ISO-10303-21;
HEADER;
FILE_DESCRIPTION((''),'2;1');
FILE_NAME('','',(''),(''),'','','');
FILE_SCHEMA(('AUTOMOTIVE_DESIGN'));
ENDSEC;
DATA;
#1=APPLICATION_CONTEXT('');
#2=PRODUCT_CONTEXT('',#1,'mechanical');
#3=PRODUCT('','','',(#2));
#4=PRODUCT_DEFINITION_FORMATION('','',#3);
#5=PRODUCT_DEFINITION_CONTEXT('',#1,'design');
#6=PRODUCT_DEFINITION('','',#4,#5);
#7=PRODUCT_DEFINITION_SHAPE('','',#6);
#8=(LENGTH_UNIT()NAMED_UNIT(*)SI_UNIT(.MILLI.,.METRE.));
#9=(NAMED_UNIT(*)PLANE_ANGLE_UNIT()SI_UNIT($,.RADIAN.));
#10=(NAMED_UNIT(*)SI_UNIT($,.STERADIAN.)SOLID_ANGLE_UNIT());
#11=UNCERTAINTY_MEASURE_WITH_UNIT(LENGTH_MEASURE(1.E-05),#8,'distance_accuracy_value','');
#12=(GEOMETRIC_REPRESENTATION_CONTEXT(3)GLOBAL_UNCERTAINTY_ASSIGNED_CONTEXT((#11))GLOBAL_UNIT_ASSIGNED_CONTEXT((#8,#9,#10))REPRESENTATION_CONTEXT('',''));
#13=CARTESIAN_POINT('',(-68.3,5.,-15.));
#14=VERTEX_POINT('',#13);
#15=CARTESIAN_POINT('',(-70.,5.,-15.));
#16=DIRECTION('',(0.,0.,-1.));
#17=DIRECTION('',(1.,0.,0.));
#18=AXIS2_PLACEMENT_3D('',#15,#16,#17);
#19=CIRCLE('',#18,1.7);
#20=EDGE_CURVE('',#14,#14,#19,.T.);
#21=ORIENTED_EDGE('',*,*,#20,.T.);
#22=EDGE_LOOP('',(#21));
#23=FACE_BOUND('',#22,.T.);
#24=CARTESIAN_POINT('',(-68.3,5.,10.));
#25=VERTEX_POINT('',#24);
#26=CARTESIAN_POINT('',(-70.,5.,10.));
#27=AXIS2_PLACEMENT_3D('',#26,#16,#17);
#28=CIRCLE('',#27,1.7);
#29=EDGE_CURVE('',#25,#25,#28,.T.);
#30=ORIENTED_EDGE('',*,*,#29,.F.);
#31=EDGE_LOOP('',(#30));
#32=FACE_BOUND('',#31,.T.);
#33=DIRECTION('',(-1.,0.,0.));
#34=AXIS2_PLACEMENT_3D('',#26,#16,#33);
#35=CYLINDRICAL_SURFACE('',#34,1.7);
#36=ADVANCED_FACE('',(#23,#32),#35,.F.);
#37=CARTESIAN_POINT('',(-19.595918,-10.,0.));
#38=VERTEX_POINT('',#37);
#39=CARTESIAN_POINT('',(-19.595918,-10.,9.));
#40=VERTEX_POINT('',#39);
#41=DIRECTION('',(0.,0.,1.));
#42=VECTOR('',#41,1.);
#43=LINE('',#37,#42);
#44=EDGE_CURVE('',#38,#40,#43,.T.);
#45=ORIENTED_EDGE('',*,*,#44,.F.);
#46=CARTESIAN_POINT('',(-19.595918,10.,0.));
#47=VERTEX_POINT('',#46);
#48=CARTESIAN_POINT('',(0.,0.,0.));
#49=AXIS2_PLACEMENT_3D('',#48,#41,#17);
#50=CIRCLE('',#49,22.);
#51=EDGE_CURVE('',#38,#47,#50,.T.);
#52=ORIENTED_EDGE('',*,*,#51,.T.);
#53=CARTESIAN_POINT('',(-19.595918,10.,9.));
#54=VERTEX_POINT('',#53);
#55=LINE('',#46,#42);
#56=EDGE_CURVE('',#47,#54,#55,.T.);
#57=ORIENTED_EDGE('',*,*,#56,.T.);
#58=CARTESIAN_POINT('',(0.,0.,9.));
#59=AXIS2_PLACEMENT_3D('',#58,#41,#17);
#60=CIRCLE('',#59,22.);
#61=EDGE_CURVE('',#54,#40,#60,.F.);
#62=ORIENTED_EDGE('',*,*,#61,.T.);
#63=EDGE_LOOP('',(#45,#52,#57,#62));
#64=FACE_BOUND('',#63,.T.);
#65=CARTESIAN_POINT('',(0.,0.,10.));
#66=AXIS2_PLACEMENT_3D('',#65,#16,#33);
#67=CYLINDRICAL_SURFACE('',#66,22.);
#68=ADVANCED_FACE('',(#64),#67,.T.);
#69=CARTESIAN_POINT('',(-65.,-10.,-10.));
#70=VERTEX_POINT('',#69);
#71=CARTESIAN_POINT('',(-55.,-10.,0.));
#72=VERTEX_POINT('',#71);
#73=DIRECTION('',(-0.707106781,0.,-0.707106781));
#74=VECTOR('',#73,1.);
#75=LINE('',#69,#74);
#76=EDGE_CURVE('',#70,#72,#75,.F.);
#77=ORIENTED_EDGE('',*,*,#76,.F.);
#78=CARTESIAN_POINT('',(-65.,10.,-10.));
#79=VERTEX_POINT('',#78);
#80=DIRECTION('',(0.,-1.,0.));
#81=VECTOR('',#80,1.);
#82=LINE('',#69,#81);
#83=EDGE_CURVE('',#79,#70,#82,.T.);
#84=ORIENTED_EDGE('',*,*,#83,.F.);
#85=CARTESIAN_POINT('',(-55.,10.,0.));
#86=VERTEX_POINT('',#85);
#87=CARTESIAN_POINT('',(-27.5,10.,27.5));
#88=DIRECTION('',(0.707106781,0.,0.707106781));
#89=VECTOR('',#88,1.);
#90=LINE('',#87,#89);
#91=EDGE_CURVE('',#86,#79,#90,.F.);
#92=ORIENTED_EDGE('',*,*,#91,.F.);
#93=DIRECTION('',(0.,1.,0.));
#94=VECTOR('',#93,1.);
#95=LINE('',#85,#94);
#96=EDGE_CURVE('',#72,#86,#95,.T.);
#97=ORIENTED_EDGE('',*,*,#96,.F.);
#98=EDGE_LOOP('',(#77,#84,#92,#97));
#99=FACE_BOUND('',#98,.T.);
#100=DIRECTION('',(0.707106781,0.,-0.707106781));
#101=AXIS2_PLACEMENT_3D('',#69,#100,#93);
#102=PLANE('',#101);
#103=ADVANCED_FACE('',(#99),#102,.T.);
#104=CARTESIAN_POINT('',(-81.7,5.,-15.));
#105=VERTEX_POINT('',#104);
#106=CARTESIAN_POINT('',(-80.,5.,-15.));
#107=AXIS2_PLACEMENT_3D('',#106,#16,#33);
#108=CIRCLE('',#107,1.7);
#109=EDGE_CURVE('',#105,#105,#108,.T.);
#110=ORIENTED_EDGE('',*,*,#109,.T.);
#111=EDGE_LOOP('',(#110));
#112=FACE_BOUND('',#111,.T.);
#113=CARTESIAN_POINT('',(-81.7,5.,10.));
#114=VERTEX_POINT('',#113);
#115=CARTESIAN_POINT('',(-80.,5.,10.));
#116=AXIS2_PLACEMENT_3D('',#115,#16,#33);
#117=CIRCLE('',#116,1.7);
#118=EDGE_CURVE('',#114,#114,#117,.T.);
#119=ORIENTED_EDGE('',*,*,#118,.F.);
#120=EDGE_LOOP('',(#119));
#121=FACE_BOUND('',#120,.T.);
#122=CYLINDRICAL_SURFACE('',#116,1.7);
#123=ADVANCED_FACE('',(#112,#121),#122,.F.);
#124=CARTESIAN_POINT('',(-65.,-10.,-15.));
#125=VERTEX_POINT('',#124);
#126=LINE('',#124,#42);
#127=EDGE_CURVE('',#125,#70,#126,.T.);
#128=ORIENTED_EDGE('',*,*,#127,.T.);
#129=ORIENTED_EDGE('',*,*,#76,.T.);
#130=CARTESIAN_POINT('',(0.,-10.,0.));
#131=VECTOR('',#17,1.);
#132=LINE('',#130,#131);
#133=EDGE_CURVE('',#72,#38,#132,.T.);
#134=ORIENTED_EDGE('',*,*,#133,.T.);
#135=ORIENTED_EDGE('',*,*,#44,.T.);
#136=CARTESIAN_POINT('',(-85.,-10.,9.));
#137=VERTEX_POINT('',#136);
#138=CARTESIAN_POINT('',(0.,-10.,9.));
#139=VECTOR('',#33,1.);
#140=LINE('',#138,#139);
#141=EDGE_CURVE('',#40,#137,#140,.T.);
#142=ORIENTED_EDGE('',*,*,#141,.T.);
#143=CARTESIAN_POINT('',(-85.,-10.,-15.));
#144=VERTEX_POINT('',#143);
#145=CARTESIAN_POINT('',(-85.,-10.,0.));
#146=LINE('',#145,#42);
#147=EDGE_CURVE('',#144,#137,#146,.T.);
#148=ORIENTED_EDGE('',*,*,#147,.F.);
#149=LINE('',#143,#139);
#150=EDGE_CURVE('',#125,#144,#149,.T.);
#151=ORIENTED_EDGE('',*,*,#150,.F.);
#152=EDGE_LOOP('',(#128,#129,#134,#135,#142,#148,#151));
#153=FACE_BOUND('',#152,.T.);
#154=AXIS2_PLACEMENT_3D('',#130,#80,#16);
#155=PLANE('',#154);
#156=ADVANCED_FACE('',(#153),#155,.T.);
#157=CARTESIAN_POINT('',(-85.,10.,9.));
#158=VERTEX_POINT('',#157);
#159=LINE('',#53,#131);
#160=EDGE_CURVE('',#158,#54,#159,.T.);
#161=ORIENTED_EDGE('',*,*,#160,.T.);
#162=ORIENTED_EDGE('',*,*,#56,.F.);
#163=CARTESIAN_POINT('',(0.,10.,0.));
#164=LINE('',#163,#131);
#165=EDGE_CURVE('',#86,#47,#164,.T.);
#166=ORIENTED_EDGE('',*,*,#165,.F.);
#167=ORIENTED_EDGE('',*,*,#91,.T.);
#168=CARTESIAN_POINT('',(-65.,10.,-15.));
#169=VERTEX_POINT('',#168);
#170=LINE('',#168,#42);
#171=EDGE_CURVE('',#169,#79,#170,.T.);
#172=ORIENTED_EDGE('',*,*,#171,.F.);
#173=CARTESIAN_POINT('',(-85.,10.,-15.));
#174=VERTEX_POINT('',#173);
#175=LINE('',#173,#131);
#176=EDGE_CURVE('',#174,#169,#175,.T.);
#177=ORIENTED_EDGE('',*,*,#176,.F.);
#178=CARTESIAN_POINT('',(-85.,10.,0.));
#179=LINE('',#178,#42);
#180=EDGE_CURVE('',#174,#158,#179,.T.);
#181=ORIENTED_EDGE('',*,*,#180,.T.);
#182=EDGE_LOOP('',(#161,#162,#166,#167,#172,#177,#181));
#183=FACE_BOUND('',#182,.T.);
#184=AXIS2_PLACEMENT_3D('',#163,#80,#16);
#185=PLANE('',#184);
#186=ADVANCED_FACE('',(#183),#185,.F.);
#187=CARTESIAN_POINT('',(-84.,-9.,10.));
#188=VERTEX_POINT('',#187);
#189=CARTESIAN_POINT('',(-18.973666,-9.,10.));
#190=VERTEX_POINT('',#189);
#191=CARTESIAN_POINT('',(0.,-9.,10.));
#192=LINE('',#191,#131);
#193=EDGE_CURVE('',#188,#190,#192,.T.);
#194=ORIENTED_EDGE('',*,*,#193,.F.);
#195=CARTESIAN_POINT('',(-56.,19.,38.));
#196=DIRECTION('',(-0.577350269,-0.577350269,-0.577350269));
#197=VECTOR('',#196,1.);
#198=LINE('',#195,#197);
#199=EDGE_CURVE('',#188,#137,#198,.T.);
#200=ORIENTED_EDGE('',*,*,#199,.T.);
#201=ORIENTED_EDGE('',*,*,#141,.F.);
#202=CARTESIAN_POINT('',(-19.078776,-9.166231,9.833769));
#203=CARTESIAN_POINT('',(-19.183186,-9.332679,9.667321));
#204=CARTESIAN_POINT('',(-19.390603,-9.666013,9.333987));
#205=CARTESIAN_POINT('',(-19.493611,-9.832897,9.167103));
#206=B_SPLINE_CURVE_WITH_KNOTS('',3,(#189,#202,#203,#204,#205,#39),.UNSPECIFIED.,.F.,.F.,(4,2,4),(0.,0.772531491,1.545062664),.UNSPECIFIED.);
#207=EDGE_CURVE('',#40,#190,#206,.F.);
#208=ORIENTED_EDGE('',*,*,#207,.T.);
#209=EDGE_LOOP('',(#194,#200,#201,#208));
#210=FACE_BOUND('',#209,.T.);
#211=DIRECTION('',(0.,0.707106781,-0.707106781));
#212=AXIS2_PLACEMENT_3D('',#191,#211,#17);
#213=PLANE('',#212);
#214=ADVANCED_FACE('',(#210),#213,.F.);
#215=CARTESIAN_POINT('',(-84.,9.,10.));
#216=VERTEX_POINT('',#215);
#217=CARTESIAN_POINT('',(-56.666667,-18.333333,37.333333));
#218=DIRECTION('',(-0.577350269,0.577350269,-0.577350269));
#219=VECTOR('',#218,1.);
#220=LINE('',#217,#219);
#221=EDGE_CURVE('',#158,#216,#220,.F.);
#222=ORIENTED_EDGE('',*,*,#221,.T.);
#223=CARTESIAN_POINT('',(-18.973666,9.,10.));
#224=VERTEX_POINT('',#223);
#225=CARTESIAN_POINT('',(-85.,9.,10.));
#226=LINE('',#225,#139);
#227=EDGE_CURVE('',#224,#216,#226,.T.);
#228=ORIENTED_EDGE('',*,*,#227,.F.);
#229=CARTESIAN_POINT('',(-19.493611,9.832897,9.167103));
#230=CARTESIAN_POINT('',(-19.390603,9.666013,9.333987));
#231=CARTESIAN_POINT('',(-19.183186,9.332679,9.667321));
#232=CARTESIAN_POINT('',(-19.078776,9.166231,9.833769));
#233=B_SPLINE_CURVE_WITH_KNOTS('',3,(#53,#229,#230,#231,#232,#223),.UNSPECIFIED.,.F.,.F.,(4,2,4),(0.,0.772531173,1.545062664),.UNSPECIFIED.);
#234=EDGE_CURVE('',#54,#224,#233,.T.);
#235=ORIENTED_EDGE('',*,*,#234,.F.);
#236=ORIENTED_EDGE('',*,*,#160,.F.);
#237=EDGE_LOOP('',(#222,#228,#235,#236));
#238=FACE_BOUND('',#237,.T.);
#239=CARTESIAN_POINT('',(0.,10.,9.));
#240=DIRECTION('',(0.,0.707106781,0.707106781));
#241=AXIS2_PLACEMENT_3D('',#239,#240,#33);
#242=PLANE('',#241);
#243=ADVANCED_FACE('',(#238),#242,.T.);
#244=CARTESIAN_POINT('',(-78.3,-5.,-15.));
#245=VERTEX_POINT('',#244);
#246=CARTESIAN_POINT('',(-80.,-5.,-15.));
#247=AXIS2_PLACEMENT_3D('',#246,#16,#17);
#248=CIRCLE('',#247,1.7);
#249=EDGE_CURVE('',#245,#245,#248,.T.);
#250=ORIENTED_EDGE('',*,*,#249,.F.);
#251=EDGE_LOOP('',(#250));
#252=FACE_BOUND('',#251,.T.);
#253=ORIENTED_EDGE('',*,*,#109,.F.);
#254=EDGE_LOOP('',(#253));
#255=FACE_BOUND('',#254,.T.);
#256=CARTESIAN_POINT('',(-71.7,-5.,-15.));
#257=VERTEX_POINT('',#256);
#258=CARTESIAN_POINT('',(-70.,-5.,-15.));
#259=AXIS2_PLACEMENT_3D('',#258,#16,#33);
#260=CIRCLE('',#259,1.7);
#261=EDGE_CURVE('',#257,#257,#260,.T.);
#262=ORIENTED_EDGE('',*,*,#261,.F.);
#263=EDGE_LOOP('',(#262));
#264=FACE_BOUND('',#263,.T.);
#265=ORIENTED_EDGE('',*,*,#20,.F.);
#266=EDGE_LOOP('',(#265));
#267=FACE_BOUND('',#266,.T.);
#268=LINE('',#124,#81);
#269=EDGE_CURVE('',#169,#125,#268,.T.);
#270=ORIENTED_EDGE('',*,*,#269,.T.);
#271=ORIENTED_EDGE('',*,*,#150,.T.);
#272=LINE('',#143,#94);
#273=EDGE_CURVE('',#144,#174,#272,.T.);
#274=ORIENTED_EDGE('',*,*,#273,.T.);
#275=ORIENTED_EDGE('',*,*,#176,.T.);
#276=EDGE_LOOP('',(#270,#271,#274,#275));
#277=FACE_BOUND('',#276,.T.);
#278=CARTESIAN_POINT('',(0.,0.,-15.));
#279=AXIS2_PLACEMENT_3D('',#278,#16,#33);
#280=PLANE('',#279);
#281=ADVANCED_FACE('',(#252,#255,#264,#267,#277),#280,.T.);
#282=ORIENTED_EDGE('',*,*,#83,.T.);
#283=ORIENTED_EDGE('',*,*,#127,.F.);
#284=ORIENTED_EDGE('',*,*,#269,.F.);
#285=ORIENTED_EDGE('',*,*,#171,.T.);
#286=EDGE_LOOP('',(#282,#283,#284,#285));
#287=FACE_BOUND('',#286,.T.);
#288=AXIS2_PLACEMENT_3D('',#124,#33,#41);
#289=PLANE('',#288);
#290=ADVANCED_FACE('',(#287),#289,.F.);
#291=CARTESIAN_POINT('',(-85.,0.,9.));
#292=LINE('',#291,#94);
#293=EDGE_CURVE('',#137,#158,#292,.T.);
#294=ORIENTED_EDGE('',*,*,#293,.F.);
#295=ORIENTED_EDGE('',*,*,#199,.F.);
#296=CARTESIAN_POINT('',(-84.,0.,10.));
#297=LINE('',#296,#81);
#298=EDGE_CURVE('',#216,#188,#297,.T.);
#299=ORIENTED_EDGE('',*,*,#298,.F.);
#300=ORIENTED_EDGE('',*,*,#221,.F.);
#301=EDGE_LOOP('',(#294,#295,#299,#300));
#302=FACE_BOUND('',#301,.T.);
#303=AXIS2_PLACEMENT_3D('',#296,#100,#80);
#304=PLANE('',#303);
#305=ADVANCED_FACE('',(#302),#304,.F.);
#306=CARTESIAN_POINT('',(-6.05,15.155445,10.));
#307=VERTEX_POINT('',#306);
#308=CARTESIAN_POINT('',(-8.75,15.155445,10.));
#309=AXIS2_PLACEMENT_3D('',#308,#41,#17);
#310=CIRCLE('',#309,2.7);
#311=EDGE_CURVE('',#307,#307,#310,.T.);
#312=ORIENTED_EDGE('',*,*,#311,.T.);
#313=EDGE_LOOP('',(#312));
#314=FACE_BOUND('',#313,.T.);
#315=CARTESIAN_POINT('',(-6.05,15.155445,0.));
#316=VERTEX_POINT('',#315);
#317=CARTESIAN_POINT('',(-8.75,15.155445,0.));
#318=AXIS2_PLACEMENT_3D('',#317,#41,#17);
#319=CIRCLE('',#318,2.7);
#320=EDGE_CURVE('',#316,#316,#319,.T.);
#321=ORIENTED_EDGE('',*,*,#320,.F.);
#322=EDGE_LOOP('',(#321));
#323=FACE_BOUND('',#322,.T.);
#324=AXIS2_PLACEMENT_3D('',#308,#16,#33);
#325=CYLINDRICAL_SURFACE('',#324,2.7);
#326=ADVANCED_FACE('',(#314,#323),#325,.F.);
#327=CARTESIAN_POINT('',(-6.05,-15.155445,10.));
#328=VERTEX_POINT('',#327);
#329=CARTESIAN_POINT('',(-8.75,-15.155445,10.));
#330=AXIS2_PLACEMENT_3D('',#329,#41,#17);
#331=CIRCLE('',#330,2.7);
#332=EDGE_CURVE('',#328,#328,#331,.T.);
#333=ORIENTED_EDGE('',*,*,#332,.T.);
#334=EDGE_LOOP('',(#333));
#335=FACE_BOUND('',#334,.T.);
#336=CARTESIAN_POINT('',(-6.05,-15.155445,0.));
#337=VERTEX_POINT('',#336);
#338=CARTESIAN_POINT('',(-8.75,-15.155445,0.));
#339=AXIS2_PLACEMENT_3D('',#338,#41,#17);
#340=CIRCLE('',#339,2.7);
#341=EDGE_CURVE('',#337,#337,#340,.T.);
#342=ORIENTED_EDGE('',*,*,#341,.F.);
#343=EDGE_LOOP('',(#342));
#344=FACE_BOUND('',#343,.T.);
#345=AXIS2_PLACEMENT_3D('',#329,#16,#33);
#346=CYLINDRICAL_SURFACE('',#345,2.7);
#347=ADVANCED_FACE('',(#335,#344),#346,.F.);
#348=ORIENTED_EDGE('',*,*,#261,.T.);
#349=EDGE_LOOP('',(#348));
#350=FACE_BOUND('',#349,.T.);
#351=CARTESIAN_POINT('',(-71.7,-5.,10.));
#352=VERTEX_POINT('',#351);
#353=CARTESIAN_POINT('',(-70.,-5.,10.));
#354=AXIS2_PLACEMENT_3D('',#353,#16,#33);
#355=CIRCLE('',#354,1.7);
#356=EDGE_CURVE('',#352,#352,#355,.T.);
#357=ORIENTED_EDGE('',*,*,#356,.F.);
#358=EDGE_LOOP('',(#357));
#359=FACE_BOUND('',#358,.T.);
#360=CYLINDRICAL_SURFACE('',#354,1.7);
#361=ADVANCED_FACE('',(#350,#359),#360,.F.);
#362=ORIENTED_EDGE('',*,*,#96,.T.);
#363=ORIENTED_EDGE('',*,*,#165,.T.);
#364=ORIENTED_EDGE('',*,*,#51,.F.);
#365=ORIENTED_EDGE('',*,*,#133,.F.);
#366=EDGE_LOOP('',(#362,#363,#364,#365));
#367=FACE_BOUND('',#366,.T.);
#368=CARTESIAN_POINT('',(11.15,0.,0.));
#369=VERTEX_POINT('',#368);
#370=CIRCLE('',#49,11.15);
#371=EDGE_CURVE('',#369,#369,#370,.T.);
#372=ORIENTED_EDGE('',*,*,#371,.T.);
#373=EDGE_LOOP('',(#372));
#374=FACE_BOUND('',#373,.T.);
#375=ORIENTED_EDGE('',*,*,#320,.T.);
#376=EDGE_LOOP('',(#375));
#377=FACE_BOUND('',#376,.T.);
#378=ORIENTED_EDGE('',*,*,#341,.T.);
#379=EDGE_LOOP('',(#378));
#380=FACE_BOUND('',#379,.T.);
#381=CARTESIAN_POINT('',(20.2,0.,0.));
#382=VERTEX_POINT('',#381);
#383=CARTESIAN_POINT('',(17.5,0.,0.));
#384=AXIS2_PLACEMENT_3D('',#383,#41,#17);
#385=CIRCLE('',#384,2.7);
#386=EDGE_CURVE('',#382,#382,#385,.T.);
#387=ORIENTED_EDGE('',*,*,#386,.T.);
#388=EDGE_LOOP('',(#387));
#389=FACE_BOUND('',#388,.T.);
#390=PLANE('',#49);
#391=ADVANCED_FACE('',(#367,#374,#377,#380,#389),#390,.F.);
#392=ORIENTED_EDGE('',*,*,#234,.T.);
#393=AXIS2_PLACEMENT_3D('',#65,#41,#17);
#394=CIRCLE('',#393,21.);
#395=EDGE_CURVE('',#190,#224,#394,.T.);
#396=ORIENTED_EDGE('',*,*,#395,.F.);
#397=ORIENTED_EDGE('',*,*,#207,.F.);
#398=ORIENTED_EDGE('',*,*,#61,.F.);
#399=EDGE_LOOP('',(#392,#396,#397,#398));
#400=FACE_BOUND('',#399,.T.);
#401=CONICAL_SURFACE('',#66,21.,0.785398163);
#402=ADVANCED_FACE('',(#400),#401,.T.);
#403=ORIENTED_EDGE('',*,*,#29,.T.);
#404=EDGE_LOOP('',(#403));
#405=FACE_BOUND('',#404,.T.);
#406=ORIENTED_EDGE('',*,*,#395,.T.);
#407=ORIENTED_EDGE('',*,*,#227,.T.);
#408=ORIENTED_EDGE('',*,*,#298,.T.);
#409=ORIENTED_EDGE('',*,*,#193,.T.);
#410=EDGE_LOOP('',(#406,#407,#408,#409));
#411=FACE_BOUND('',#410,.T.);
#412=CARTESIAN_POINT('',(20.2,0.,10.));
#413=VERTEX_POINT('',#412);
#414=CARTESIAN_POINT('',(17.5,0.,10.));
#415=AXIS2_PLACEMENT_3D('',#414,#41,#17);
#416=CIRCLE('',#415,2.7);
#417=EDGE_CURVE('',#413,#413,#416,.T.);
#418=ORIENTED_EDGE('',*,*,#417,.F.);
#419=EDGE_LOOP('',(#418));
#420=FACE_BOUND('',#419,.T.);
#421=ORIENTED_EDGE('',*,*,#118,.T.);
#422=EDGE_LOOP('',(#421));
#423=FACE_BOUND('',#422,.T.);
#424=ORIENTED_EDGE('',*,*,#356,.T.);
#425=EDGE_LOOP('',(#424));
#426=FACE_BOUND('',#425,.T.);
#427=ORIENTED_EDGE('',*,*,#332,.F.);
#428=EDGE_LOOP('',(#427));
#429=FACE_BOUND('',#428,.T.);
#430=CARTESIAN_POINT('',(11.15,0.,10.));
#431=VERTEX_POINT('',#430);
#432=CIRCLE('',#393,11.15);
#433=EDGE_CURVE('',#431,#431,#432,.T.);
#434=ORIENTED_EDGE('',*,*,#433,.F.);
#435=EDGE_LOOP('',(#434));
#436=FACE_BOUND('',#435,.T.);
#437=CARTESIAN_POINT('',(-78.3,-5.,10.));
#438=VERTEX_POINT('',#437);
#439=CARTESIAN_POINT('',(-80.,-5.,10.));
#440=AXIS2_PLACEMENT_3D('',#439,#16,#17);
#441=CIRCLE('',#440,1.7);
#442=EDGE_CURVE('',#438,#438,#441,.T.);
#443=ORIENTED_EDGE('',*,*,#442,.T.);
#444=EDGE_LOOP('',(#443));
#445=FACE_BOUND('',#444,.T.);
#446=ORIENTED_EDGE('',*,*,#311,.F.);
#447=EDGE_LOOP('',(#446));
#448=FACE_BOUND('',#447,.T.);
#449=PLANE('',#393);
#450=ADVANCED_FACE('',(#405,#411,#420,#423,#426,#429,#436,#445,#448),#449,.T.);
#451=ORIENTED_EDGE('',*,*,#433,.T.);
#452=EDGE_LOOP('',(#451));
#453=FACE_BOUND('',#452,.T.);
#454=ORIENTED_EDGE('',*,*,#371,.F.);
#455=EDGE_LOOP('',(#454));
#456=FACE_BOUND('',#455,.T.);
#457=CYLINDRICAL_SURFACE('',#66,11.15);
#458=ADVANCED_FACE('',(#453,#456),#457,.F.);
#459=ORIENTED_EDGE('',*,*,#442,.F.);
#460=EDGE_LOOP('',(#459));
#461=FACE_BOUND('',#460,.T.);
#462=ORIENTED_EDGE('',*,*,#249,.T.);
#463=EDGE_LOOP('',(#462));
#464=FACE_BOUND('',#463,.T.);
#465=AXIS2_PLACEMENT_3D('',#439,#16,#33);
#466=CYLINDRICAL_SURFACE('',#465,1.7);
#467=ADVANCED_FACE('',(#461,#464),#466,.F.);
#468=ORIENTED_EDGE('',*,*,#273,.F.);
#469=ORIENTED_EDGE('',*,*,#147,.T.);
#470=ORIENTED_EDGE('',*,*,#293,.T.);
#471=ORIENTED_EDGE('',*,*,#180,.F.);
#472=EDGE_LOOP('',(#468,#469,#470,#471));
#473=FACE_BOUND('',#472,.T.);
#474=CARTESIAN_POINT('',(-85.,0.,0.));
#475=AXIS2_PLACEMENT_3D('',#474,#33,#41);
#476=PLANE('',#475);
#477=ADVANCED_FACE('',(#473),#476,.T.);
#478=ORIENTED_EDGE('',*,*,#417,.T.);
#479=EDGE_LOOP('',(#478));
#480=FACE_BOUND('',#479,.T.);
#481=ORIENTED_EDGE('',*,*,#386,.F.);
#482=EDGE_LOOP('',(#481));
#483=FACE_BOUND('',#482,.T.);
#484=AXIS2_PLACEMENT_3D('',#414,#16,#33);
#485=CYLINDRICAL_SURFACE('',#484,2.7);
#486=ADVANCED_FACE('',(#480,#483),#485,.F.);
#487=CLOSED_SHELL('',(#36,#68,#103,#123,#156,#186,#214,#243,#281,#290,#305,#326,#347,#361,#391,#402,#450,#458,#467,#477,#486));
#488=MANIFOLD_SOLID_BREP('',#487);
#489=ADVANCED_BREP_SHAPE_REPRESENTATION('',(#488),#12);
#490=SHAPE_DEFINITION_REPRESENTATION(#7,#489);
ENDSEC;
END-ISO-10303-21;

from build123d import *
from build123d.topology import SkipClean

# Parameters (mm, degrees)
SKETCH_1_R          = 22
SKETCH_1_R_2        = 11.15
SKETCH_1_R_3        = 2.7
EXTRUDE_1_DEPTH     = 10
EXTRUDE_START       = -10
EXTRUDE_2_DEPTH     = 10
CUT_EXTRUDE_START   = -10
CUT_EXTRUDE_1_DEPTH = 10
SKETCH_4_W          = 20
SKETCH_4_H          = 20
EXTRUDE_3_DEPTH     = 15
CHAMFER_2_SIZE      = 10
CHAMFER_4_SIZE      = 1
SKETCH_6_R          = 1.7
CUT_EXTRUDE_3_DEPTH = 92.290744328
CHAMFER_6_SIZE      = 1


with BuildPart() as part:
    # ｽｹｯﾁ1 → ﾎﾞｽ - 押し出し1 (new body)
    with BuildSketch(Plane.XY):
        Circle(SKETCH_1_R)
        Circle(SKETCH_1_R_2, mode=Mode.SUBTRACT)
        with Locations((-8.75, -15.155444566)):
            Circle(SKETCH_1_R_3, mode=Mode.SUBTRACT)
        with Locations((17.5, 0)):
            Circle(SKETCH_1_R_3, mode=Mode.SUBTRACT)
        with Locations((-8.75, 15.155444566)):
            Circle(SKETCH_1_R_3, mode=Mode.SUBTRACT)
    extrude(amount=EXTRUDE_1_DEPTH)

    # ｽｹｯﾁ2 → ﾎﾞｽ - 押し出し2 (add)
    with BuildSketch(Plane.XY.offset(10).offset(EXTRUDE_START)):
        with BuildLine():
            ThreePointArc((0, -22), (-22, 0), (0, 22))
            Line((0, 22), (-85, 22))
            Line((-85, 22), (-85, -22))
            Line((-85, -22), (0, -22))
        make_face()
    extrude(amount=EXTRUDE_2_DEPTH)

    # ｽｹｯﾁ3 → ｶｯﾄ - 押し出し1 (cut)
    with BuildSketch(Plane.XY.offset(10).offset(CUT_EXTRUDE_START)):
        with BuildLine():
            Line((-85, 22), (-85, 10))
            Line((-85, 10), (-19.595917942, 10))
            ThreePointArc((-19.595917942, 10), (-11.489125293, 18.761663039), (0, 22))
            Line((0, 22), (-85, 22))
        make_face()
        with BuildLine():
            Line((-19.595917942, -10), (-85, -10))
            Line((-85, -10), (-85, -22))
            Line((-85, -22), (0, -22))
            ThreePointArc((0, -22), (-11.489125293, -18.761663039), (-19.595917942, -10))
        make_face()
    extrude(amount=CUT_EXTRUDE_1_DEPTH, mode=Mode.SUBTRACT)

    # ｽｹｯﾁ4 → ﾎﾞｽ - 押し出し3 (add)
    with BuildSketch(Plane(origin=(0, 0, 0), x_dir=(-1, 0, 0), z_dir=(0, 0, -1))):
        with Locations((75, 0)):
            Rectangle(SKETCH_4_W, SKETCH_4_H)
    extrude(amount=EXTRUDE_3_DEPTH)

    # 面取り2
    chamfer_2_edges = [part.edges().sort_by_distance(p)[0] for p in [
        (-65, 0, 0),
    ]]
    chamfer(chamfer_2_edges, length=CHAMFER_2_SIZE)

    # 面取り4
    chamfer_4_edges = [part.edges().sort_by_distance(p)[0] for p in [
        (22, 0, 10),
        (-52.297958971, 10, 10),
        (-52.297958971, -10, 10),
    ]]
    chamfer(chamfer_4_edges, length=CHAMFER_4_SIZE)

    # ｽｹｯﾁ6 → ｶｯﾄ - 押し出し3 (cut, through all)
    with SkipClean():  # the faces are left unmerged after this step: merging them gives an invalid solid
        with BuildSketch(Plane(origin=(0, 0, -15), x_dir=(-1, 0, 0), z_dir=(0, 0, -1))):
            with Locations((80, 5)):
                Circle(SKETCH_6_R)
            with Locations(Location((70, 5, 0), (0, 0, 180))):
                Circle(SKETCH_6_R)
            with Locations((70, -5)):
                Circle(SKETCH_6_R)
            with Locations(Location((80, -5, 0), (0, 0, 180))):
                Circle(SKETCH_6_R)
        extrude(amount=-CUT_EXTRUDE_3_DEPTH, mode=Mode.SUBTRACT)

    # 面取り6
    chamfer_6_edges = [part.edges().sort_by_distance(p)[0] for p in [
        (-85, 0, 10),
    ]]
    chamfer(chamfer_6_edges, length=CHAMFER_6_SIZE)


solid = part.part
